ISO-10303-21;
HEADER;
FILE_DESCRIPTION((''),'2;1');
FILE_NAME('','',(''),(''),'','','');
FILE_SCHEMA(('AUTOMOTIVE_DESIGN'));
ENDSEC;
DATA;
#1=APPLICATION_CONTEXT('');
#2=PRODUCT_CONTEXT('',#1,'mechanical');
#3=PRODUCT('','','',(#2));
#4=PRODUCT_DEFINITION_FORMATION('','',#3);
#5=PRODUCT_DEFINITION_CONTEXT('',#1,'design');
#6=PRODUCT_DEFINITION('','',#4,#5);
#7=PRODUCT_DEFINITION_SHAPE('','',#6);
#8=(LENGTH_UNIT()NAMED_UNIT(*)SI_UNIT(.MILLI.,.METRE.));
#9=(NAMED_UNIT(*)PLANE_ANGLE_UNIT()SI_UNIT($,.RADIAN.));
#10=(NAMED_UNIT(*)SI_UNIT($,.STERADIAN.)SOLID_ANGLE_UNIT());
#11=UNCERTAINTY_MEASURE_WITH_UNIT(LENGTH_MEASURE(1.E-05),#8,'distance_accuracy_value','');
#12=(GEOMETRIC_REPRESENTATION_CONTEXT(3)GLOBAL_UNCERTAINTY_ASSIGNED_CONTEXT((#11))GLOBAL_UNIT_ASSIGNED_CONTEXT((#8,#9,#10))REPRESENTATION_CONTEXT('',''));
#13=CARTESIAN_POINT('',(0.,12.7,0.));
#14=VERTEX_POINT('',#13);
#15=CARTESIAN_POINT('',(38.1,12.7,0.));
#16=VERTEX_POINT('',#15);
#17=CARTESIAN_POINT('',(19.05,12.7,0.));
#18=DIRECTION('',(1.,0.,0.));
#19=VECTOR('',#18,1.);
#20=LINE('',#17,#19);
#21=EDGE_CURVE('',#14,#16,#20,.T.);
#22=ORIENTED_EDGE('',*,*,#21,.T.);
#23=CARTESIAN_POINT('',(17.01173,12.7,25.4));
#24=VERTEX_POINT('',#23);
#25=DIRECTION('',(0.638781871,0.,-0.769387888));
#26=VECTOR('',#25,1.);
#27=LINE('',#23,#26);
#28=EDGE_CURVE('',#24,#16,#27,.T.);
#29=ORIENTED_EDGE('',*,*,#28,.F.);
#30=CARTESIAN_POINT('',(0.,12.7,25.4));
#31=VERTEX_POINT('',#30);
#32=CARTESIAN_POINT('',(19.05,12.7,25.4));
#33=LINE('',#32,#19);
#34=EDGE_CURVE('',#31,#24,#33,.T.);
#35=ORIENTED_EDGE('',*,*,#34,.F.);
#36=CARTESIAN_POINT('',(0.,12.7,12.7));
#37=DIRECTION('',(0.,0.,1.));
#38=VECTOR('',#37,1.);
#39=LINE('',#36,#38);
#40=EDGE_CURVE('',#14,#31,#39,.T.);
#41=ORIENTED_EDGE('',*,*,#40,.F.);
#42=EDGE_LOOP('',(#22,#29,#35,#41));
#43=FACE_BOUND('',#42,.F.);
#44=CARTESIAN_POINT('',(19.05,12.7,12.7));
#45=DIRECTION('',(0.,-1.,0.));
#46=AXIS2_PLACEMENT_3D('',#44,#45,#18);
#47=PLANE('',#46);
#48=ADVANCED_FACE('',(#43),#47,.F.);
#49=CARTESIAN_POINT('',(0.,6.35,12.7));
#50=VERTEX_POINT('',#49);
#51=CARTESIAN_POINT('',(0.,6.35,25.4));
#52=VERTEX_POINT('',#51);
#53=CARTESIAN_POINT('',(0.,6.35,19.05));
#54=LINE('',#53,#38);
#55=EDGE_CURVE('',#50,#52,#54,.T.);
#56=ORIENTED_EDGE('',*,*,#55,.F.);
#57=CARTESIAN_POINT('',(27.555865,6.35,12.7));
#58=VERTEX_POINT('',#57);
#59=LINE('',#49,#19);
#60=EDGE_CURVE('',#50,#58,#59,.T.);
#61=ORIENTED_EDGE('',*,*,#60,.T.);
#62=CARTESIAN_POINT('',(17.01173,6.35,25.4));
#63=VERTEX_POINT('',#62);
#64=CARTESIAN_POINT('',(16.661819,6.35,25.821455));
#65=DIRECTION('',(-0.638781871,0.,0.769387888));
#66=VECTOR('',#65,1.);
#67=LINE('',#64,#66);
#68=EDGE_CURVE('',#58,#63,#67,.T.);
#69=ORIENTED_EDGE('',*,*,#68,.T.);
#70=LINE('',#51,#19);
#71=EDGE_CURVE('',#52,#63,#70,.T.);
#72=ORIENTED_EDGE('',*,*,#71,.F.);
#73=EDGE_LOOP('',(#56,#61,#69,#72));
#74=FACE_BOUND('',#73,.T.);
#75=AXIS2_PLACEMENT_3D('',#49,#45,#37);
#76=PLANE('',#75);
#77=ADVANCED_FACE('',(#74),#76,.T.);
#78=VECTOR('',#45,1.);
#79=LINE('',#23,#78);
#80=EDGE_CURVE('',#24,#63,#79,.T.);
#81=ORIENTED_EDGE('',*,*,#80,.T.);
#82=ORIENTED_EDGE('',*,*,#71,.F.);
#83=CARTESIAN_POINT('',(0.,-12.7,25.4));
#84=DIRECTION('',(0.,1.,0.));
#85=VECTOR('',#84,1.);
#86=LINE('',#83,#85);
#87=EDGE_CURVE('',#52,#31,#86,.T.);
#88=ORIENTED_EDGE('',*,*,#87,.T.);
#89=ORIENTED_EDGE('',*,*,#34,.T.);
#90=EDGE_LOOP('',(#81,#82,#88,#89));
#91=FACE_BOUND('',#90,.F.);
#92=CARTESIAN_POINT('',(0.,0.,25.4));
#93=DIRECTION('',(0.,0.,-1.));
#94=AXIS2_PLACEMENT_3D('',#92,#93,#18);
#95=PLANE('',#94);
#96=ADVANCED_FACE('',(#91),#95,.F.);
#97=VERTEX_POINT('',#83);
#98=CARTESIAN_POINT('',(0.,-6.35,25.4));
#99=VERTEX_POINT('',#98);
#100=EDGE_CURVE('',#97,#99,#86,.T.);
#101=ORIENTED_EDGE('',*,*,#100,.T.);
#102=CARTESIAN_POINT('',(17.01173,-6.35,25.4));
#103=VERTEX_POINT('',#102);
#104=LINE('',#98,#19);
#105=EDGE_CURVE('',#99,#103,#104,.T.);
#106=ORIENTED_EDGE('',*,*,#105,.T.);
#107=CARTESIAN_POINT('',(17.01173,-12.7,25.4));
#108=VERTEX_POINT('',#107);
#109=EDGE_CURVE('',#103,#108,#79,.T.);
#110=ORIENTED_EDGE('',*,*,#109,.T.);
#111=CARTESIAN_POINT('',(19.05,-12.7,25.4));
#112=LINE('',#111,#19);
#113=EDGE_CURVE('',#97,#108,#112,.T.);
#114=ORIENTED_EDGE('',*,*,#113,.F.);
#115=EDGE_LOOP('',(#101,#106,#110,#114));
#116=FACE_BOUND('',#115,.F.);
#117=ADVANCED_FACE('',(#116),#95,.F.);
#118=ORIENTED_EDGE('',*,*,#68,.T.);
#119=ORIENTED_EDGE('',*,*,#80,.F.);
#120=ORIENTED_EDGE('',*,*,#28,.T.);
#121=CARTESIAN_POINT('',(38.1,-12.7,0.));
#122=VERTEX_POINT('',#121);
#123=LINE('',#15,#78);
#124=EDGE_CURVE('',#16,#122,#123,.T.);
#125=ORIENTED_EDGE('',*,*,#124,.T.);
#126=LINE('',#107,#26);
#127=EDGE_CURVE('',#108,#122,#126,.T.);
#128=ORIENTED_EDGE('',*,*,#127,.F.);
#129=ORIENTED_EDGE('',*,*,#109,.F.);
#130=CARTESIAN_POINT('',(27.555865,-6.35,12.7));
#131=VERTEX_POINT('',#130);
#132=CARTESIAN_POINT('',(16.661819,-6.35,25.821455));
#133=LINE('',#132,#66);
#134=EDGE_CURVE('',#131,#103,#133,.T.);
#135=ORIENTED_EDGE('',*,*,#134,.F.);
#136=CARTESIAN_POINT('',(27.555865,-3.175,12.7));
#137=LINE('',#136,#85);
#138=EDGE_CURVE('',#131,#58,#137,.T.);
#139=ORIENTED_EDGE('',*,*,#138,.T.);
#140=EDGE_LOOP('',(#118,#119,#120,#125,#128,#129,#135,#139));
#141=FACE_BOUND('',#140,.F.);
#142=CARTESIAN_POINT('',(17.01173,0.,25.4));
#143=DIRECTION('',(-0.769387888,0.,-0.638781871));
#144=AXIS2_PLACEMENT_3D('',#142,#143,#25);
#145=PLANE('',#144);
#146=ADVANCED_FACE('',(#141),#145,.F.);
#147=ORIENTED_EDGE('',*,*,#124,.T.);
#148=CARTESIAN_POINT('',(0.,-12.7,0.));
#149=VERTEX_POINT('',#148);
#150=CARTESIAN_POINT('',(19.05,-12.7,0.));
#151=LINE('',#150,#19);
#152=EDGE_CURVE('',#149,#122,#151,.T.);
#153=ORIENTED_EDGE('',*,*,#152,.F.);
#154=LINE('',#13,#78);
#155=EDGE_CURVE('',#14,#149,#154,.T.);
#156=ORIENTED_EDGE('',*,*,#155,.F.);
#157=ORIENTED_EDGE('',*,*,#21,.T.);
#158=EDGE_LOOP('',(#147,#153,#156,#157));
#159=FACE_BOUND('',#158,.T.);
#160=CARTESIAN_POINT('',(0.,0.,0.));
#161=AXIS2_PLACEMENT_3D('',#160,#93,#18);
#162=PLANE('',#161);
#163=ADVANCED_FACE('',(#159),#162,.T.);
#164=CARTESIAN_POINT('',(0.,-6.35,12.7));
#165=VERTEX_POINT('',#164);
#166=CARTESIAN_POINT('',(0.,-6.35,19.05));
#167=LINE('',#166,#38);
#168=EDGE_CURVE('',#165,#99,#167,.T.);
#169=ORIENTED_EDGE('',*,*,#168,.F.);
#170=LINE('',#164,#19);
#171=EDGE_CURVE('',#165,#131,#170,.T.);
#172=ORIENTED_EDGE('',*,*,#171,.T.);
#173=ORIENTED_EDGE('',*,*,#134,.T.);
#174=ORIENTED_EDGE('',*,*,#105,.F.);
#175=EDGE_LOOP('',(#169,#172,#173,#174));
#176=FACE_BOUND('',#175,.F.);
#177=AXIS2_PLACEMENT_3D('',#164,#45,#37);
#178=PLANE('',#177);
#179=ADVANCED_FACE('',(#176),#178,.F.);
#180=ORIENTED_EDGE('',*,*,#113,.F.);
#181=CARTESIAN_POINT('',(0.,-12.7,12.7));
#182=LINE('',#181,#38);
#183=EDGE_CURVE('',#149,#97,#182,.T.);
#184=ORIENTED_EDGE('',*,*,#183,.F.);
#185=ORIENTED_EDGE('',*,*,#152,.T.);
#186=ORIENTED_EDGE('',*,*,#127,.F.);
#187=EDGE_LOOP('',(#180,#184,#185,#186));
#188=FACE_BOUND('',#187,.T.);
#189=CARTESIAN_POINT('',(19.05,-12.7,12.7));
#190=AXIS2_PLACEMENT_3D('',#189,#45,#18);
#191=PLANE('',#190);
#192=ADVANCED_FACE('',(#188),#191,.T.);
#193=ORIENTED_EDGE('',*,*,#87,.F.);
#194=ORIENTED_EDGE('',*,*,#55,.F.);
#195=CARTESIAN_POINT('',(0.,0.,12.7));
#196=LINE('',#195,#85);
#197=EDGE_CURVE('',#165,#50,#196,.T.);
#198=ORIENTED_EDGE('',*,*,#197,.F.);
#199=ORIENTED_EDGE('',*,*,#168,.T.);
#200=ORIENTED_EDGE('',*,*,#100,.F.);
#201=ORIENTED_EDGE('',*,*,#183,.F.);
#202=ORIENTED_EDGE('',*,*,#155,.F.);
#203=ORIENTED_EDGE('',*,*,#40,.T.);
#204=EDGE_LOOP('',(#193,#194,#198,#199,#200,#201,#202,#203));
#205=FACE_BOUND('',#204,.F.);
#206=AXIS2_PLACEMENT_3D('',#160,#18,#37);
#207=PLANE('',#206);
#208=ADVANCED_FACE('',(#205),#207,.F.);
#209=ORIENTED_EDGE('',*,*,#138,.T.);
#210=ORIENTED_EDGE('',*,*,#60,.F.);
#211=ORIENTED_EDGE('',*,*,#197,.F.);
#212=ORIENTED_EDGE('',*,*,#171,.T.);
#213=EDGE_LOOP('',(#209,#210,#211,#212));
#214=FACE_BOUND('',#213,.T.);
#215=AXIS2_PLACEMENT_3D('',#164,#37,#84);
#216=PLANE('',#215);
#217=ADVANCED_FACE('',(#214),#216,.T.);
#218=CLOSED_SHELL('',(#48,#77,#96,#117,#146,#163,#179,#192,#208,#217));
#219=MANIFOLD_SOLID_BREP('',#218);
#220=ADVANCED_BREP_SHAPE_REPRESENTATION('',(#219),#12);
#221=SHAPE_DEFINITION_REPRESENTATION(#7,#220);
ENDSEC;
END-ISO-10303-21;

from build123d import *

# Parameters (mm, degrees)
F0_W     = 38.1
F0_H     = 25.4
F1_DEPTH = 12.7
F3_DEPTH = 12.7
F4_W     = 12.7
F4_H     = 12.7
F5_DEPTH = 50.8


with BuildPart() as f1:
    # F0 (on Front) → F1 (new body, symmetric)
    with BuildSketch(Plane.XZ):
        with Locations((19.05, 12.7)):
            Rectangle(F0_W, F0_H)
    extrude(amount=F1_DEPTH, both=True)

    # F2 (on Front) → F3 (cut, symmetric)
    with BuildSketch(Plane.XZ):
        Polygon((38.1, 25.4), (17.01173, 25.4), (38.1, 0), align=None)
    extrude(amount=F3_DEPTH, both=True, mode=Mode.SUBTRACT)

    # F4 (on Right) → F5 (cut)
    with BuildSketch(Plane.YZ):
        with Locations((0, 19.05)):
            Rectangle(F4_W, F4_H)
    extrude(amount=F5_DEPTH, mode=Mode.SUBTRACT)


solid = f1.part
